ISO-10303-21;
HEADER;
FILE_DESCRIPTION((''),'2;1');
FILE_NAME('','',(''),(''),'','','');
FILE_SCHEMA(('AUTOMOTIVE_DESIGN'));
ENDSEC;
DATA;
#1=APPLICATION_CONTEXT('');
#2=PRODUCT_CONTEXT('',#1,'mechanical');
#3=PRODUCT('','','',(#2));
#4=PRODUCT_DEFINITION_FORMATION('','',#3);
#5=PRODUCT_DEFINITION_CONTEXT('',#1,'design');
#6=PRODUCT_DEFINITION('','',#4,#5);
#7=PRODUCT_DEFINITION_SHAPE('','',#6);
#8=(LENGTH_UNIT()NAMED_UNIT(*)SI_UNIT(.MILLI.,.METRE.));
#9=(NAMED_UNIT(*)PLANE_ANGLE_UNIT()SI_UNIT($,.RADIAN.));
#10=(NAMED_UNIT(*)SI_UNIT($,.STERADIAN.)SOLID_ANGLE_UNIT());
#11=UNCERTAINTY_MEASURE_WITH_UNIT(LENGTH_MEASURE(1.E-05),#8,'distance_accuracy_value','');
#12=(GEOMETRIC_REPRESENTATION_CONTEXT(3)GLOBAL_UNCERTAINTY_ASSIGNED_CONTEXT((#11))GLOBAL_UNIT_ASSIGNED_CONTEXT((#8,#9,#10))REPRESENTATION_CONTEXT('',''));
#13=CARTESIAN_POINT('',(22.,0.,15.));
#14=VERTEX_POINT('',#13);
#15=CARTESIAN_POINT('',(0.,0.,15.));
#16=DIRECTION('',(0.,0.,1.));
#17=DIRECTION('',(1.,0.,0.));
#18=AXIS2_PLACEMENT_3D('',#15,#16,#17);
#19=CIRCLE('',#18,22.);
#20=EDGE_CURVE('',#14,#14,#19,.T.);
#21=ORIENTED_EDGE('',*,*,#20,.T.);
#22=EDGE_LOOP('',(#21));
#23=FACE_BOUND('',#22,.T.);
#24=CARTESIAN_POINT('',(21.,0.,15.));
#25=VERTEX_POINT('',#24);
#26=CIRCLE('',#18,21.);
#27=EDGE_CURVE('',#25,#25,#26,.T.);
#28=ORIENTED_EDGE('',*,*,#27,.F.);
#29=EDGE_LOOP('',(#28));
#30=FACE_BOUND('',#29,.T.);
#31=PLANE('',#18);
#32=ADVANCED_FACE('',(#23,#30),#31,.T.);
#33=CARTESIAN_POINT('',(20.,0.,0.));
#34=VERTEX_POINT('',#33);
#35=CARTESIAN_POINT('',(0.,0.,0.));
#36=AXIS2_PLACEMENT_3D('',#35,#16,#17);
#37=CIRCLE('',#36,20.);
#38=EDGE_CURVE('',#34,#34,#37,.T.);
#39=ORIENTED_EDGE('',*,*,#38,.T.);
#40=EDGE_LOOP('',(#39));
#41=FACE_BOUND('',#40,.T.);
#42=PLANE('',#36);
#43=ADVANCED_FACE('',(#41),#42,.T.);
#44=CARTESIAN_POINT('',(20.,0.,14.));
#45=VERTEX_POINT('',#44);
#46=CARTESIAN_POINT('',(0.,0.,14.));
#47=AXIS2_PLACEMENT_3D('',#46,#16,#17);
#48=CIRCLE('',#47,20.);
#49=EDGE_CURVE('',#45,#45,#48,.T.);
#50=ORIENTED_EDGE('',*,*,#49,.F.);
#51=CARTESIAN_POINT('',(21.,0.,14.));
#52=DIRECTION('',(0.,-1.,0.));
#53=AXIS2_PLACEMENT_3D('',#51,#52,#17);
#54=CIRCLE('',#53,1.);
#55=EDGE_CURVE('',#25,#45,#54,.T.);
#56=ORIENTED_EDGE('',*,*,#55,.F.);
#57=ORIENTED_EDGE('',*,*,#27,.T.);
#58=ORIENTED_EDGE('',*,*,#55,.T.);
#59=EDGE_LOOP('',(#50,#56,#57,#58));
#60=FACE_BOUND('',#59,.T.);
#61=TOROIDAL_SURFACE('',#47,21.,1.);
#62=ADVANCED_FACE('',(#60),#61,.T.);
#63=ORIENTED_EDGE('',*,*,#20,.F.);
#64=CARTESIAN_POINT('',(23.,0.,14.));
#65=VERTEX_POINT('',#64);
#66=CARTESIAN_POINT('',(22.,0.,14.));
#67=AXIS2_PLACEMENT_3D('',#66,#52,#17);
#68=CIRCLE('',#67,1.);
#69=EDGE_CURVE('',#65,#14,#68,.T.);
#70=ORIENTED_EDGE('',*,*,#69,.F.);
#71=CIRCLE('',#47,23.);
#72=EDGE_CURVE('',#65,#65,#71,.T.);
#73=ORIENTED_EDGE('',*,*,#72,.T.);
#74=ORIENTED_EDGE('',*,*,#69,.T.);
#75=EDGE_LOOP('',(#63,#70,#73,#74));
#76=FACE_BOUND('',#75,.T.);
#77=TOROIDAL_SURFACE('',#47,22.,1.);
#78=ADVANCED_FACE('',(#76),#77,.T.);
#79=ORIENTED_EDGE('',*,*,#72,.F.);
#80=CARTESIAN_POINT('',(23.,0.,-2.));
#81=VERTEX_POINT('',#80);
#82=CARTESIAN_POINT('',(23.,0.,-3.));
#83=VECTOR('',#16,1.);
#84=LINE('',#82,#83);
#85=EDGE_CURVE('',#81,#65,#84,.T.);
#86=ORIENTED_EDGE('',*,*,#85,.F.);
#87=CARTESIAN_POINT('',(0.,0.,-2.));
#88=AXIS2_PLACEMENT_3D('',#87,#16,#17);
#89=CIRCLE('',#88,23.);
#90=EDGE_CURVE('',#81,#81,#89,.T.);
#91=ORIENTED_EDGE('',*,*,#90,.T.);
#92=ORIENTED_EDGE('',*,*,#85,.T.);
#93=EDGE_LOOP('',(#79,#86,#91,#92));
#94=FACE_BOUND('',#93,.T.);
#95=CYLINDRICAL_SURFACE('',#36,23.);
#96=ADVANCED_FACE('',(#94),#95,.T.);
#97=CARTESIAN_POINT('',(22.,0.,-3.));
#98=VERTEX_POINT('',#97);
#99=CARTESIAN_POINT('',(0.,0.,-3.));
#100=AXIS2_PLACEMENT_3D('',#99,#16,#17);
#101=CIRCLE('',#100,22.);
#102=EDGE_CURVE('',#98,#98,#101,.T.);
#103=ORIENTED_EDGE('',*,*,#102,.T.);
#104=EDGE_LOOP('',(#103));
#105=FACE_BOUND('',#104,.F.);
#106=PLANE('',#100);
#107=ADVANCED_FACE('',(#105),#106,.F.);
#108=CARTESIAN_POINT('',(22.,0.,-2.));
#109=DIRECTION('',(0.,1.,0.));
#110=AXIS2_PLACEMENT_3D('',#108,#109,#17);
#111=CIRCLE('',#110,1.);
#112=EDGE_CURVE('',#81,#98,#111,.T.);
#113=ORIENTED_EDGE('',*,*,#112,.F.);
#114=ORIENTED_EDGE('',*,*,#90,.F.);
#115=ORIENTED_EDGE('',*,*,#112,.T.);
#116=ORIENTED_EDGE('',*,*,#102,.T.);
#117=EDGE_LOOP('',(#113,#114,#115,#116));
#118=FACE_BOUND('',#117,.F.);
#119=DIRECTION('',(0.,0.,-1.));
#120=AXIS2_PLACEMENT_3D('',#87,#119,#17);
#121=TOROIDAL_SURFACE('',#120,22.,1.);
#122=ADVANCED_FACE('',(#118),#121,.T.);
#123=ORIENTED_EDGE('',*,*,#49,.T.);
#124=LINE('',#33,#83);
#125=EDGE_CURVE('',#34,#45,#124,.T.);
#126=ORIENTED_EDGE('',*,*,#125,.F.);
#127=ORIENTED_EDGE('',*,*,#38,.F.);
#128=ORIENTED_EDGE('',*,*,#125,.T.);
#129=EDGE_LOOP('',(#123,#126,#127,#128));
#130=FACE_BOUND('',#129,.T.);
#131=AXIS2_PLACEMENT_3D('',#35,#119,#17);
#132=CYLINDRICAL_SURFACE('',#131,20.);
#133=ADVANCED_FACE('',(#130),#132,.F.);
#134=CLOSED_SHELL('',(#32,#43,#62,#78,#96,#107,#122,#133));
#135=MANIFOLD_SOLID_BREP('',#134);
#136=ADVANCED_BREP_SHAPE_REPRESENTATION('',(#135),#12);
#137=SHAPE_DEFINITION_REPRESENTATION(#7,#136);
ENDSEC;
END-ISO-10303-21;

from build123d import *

# Parameters (mm, degrees)
F0_R     = 23
F0_R_2   = 20
F1_DEPTH = 15
F2_R     = 23
F3_DEPTH = 3
F4_R     = 1


with BuildPart() as f1:
    # F0 (on Top) → F1 (new body)
    with BuildSketch(Plane.XY):
        Circle(F0_R)
        Circle(F0_R_2, mode=Mode.SUBTRACT)
    extrude(amount=F1_DEPTH)

    # F2 (on Top) → F3 (join)
    with BuildSketch(Plane.XY):
        Circle(F2_R)
    extrude(amount=-F3_DEPTH)

    # F4
    f4_edges = [f1.edges().sort_by_distance(p)[0] for p in [
        (-23, 0, 15),
        (-20, 0, 15),
        (23, 0, 7.5),
        (-23, 0, 0),
    ]]
    fillet(f4_edges, radius=F4_R)


solid = f1.part
